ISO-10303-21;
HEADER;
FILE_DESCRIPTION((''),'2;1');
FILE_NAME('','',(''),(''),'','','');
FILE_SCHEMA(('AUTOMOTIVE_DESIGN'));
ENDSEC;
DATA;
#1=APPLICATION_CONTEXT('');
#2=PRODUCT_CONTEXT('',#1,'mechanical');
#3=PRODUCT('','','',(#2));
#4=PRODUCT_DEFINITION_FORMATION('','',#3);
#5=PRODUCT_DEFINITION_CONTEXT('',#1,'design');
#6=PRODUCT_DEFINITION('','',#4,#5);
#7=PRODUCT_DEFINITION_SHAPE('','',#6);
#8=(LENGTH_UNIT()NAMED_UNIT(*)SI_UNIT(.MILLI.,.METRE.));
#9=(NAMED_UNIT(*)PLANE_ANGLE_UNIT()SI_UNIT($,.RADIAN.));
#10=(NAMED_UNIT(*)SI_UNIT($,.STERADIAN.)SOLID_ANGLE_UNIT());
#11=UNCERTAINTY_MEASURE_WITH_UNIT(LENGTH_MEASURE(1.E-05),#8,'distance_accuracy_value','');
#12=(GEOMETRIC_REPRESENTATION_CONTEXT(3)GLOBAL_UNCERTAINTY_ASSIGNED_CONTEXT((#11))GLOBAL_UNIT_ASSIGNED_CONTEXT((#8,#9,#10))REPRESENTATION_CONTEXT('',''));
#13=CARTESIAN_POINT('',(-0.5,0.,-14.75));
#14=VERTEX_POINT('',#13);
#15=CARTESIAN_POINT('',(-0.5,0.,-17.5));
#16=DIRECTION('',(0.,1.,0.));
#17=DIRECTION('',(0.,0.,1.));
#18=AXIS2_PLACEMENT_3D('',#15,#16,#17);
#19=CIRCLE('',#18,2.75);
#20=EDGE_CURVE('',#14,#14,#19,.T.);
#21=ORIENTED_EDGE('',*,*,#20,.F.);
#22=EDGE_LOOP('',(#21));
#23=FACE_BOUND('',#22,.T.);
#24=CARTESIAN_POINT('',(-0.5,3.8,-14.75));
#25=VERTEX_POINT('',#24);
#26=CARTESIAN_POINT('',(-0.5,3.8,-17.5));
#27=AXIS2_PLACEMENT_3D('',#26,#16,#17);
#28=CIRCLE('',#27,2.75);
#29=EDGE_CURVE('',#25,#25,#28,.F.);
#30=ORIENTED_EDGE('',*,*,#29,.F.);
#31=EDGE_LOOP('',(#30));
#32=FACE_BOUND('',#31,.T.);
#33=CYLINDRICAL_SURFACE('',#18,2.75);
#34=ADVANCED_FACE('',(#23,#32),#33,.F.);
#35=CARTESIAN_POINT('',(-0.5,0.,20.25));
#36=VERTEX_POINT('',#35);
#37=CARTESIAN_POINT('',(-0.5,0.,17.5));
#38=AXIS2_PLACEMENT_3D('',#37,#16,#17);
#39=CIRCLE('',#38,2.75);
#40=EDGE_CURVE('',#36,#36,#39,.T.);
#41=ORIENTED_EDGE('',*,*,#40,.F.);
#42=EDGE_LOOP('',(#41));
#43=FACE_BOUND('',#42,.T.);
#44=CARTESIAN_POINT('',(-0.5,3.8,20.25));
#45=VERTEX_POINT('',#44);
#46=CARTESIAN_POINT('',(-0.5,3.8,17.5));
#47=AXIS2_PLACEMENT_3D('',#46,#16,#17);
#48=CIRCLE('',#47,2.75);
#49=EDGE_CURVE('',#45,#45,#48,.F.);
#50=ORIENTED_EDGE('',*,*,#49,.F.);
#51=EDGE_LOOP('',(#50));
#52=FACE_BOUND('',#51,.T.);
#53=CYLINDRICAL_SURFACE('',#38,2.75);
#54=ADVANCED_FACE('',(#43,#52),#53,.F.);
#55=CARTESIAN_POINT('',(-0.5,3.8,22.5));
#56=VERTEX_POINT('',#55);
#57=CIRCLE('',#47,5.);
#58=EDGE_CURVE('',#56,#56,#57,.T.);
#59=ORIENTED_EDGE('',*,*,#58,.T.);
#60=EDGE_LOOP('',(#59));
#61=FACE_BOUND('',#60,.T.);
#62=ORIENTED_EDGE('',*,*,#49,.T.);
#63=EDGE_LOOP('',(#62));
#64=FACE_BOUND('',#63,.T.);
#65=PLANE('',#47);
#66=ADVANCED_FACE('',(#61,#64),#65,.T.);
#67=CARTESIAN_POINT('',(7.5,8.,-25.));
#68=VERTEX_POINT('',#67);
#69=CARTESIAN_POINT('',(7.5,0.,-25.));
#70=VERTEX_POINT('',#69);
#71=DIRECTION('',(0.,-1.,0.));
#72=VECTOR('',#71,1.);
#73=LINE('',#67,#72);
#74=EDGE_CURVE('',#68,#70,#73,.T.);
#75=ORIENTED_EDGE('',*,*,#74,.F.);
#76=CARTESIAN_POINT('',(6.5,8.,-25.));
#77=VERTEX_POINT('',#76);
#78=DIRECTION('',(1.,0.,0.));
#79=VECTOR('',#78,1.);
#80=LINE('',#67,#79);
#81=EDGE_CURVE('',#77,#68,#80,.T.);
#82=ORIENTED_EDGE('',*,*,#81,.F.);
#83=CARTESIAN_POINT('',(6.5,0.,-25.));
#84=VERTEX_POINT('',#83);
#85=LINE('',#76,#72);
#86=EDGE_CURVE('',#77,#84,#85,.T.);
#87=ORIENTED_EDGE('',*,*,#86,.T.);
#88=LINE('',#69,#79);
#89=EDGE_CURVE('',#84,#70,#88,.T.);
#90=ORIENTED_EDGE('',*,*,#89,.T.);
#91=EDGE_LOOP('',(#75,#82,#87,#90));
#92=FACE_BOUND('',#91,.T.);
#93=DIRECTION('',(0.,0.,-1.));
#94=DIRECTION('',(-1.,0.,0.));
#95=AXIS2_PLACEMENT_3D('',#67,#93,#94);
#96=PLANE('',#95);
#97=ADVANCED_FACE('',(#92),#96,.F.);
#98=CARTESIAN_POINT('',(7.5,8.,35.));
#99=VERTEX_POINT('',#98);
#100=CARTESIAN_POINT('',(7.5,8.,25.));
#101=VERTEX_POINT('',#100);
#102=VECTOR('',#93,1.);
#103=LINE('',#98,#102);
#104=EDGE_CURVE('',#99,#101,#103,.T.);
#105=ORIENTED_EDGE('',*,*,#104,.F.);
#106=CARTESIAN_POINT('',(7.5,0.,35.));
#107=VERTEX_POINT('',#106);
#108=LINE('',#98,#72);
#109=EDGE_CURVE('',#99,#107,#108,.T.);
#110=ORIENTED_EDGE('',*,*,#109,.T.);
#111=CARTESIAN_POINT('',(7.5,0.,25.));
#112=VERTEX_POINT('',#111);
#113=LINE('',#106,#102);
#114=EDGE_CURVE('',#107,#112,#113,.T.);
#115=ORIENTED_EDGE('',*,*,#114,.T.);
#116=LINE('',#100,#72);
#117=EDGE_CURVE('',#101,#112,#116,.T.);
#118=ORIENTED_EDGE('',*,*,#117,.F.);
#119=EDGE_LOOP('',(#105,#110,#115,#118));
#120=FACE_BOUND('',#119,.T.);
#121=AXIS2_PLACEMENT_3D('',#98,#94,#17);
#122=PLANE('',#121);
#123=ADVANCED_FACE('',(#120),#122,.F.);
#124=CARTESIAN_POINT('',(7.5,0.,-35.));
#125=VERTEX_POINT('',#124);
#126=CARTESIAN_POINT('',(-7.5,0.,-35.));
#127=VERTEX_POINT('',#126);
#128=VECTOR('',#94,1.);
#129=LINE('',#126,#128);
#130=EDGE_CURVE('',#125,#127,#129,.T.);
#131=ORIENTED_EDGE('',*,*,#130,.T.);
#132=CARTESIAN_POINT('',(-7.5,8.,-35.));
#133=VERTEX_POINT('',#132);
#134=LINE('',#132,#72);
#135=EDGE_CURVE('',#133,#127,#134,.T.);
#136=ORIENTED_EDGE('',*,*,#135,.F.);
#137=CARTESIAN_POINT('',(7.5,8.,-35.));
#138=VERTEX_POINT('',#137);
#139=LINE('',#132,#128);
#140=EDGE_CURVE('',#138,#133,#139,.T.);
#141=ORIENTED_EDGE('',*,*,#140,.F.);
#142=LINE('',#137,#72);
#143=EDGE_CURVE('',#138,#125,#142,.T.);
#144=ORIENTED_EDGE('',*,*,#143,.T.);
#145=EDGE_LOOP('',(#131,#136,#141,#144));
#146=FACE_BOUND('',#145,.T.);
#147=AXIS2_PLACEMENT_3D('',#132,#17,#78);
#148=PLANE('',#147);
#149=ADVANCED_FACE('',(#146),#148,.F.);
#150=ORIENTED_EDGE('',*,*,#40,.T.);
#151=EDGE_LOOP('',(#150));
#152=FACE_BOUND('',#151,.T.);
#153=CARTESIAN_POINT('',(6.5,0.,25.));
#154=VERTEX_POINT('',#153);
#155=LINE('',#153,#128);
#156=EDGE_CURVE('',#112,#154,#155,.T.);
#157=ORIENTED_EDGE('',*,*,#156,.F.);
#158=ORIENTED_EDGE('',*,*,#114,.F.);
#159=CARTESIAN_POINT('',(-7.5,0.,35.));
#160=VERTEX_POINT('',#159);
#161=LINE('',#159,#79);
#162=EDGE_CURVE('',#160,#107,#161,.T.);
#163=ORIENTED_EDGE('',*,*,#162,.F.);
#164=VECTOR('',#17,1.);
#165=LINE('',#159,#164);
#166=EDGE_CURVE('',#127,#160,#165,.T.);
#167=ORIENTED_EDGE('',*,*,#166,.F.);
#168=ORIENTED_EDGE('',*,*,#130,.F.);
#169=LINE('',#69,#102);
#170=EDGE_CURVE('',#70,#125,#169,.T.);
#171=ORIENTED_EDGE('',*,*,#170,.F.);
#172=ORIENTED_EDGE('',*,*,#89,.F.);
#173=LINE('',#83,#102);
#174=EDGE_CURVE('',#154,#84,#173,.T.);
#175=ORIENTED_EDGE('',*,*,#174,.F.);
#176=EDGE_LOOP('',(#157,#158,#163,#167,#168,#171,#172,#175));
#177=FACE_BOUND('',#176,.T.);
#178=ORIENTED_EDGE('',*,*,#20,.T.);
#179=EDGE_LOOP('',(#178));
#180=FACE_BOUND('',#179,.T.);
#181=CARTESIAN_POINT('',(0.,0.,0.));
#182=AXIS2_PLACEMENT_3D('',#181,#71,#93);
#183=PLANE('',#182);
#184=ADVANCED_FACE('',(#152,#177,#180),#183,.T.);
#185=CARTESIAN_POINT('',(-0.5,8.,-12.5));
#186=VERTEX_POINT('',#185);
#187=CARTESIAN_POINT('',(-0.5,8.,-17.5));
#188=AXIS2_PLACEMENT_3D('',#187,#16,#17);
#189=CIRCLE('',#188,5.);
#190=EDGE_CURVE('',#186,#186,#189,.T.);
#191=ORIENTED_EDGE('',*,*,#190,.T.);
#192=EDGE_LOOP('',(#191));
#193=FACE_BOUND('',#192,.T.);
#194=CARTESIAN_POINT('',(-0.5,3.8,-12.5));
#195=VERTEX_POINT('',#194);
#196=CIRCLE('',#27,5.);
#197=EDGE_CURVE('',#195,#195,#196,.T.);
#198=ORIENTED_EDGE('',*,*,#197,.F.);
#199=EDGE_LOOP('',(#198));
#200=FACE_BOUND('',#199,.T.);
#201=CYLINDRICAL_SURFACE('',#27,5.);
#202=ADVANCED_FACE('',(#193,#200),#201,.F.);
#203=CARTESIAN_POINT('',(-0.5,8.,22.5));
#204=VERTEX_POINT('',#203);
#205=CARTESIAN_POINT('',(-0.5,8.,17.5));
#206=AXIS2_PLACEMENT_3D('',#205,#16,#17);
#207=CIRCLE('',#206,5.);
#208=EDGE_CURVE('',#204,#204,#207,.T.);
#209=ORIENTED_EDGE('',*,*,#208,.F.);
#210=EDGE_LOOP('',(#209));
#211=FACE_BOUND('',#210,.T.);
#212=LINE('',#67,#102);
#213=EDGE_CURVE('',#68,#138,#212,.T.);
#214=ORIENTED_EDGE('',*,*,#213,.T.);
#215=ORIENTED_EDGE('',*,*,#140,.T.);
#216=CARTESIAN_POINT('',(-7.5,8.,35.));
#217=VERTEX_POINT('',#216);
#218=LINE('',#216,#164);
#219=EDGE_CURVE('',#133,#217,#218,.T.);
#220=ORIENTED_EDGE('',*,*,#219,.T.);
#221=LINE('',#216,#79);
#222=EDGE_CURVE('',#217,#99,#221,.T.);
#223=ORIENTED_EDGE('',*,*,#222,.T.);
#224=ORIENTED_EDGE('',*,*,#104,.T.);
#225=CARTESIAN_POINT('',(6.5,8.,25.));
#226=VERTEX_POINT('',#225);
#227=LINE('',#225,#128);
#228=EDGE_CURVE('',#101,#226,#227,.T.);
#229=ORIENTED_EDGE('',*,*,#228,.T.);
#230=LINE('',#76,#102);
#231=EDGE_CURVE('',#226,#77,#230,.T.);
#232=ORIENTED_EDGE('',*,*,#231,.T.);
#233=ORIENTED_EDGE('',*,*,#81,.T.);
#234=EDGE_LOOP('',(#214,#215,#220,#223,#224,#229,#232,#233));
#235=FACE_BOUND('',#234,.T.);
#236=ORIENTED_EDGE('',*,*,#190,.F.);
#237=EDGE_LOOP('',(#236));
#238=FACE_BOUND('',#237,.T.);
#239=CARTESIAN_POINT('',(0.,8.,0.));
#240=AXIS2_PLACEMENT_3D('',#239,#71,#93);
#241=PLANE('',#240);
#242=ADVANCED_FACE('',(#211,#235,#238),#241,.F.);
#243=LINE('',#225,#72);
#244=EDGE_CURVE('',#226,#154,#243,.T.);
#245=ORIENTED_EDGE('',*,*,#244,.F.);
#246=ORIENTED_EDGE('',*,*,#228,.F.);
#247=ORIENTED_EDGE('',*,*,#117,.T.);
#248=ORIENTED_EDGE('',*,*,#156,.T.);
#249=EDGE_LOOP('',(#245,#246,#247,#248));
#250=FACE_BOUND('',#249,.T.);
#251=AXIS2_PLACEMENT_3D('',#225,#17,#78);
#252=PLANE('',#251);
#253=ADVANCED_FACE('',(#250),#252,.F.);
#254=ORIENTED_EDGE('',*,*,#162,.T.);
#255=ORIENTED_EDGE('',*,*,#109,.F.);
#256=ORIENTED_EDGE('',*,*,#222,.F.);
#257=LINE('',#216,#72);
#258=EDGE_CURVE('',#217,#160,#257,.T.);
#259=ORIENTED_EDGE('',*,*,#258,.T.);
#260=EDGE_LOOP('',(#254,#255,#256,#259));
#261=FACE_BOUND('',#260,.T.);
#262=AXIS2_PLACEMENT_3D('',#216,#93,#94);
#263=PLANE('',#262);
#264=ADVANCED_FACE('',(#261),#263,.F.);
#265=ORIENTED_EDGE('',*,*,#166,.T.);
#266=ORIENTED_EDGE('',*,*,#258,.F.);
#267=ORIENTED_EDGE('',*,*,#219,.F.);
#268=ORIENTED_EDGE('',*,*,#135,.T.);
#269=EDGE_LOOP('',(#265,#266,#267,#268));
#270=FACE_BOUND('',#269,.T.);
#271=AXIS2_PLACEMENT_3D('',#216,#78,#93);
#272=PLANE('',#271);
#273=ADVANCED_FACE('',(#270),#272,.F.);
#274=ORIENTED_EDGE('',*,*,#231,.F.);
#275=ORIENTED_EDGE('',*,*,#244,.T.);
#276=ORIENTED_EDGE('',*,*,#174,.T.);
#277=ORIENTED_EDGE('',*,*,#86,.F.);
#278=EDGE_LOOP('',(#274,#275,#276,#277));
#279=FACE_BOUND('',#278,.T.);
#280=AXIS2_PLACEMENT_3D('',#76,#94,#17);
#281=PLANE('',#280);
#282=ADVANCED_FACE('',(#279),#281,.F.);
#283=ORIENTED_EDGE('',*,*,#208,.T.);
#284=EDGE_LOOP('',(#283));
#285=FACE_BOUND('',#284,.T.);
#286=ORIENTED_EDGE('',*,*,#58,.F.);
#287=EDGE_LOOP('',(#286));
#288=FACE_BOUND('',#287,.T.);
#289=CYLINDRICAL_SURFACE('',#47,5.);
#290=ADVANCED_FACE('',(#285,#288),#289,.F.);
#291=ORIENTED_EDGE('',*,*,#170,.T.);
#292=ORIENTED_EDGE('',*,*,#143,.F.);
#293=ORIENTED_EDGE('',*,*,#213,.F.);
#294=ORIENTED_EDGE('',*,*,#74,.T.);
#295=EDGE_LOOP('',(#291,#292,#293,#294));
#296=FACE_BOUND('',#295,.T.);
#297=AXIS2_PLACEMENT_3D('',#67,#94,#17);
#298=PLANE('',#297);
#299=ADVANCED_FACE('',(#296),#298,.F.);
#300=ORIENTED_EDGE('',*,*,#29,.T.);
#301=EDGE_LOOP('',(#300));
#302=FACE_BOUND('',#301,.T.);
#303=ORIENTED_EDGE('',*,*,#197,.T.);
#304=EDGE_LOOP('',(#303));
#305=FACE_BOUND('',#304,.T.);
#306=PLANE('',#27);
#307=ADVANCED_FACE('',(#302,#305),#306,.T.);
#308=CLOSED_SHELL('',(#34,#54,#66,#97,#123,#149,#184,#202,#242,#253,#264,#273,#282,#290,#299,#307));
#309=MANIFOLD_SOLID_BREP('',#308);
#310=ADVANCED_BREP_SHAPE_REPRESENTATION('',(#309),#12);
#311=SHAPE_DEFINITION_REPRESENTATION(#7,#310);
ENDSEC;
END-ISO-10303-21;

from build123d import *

# Parameters (mm, degrees)
BOSS_EXTRUDE1_DEPTH = 8
SKETCH2_R           = 2.75
CUT_EXTRUDE1_DEPTH  = 9
SKETCH3_R           = 5
CUT_EXTRUDE2_DEPTH  = 4.2


with BuildPart() as part:
    # Sketch1 → Boss-Extrude1 (new body)
    with BuildSketch(Plane(origin=(0, 0, 0), x_dir=(1, 0, 0), z_dir=(0, 1, 0))):
        Polygon((7.5, 25), (6.5, 25), (6.5, -25), (7.5, -25), (7.5, -35), (-7.5, -35), (-7.5, 35), (7.5, 35), align=None)
    extrude(amount=BOSS_EXTRUDE1_DEPTH)

    # Sketch2 → Cut-Extrude1 (cut, through all)
    with BuildSketch(Plane(origin=(0, 8, 0), x_dir=(1, 0, 0), z_dir=(0, 1, 0))):
        with Locations((-0.5, 17.5)):
            Circle(SKETCH2_R)
        with Locations((-0.5, -17.5)):
            Circle(SKETCH2_R)
    extrude(amount=-CUT_EXTRUDE1_DEPTH, mode=Mode.SUBTRACT)

    # Sketch3 → Cut-Extrude2 (cut)
    with BuildSketch(Plane(origin=(0, 8, 0), x_dir=(1, 0, 0), z_dir=(0, 1, 0))):
        with Locations((-0.5, 17.5)):
            Circle(SKETCH3_R)
        with Locations((-0.5, -17.5)):
            Circle(SKETCH3_R)
    extrude(amount=-CUT_EXTRUDE2_DEPTH, mode=Mode.SUBTRACT)


solid = part.part
